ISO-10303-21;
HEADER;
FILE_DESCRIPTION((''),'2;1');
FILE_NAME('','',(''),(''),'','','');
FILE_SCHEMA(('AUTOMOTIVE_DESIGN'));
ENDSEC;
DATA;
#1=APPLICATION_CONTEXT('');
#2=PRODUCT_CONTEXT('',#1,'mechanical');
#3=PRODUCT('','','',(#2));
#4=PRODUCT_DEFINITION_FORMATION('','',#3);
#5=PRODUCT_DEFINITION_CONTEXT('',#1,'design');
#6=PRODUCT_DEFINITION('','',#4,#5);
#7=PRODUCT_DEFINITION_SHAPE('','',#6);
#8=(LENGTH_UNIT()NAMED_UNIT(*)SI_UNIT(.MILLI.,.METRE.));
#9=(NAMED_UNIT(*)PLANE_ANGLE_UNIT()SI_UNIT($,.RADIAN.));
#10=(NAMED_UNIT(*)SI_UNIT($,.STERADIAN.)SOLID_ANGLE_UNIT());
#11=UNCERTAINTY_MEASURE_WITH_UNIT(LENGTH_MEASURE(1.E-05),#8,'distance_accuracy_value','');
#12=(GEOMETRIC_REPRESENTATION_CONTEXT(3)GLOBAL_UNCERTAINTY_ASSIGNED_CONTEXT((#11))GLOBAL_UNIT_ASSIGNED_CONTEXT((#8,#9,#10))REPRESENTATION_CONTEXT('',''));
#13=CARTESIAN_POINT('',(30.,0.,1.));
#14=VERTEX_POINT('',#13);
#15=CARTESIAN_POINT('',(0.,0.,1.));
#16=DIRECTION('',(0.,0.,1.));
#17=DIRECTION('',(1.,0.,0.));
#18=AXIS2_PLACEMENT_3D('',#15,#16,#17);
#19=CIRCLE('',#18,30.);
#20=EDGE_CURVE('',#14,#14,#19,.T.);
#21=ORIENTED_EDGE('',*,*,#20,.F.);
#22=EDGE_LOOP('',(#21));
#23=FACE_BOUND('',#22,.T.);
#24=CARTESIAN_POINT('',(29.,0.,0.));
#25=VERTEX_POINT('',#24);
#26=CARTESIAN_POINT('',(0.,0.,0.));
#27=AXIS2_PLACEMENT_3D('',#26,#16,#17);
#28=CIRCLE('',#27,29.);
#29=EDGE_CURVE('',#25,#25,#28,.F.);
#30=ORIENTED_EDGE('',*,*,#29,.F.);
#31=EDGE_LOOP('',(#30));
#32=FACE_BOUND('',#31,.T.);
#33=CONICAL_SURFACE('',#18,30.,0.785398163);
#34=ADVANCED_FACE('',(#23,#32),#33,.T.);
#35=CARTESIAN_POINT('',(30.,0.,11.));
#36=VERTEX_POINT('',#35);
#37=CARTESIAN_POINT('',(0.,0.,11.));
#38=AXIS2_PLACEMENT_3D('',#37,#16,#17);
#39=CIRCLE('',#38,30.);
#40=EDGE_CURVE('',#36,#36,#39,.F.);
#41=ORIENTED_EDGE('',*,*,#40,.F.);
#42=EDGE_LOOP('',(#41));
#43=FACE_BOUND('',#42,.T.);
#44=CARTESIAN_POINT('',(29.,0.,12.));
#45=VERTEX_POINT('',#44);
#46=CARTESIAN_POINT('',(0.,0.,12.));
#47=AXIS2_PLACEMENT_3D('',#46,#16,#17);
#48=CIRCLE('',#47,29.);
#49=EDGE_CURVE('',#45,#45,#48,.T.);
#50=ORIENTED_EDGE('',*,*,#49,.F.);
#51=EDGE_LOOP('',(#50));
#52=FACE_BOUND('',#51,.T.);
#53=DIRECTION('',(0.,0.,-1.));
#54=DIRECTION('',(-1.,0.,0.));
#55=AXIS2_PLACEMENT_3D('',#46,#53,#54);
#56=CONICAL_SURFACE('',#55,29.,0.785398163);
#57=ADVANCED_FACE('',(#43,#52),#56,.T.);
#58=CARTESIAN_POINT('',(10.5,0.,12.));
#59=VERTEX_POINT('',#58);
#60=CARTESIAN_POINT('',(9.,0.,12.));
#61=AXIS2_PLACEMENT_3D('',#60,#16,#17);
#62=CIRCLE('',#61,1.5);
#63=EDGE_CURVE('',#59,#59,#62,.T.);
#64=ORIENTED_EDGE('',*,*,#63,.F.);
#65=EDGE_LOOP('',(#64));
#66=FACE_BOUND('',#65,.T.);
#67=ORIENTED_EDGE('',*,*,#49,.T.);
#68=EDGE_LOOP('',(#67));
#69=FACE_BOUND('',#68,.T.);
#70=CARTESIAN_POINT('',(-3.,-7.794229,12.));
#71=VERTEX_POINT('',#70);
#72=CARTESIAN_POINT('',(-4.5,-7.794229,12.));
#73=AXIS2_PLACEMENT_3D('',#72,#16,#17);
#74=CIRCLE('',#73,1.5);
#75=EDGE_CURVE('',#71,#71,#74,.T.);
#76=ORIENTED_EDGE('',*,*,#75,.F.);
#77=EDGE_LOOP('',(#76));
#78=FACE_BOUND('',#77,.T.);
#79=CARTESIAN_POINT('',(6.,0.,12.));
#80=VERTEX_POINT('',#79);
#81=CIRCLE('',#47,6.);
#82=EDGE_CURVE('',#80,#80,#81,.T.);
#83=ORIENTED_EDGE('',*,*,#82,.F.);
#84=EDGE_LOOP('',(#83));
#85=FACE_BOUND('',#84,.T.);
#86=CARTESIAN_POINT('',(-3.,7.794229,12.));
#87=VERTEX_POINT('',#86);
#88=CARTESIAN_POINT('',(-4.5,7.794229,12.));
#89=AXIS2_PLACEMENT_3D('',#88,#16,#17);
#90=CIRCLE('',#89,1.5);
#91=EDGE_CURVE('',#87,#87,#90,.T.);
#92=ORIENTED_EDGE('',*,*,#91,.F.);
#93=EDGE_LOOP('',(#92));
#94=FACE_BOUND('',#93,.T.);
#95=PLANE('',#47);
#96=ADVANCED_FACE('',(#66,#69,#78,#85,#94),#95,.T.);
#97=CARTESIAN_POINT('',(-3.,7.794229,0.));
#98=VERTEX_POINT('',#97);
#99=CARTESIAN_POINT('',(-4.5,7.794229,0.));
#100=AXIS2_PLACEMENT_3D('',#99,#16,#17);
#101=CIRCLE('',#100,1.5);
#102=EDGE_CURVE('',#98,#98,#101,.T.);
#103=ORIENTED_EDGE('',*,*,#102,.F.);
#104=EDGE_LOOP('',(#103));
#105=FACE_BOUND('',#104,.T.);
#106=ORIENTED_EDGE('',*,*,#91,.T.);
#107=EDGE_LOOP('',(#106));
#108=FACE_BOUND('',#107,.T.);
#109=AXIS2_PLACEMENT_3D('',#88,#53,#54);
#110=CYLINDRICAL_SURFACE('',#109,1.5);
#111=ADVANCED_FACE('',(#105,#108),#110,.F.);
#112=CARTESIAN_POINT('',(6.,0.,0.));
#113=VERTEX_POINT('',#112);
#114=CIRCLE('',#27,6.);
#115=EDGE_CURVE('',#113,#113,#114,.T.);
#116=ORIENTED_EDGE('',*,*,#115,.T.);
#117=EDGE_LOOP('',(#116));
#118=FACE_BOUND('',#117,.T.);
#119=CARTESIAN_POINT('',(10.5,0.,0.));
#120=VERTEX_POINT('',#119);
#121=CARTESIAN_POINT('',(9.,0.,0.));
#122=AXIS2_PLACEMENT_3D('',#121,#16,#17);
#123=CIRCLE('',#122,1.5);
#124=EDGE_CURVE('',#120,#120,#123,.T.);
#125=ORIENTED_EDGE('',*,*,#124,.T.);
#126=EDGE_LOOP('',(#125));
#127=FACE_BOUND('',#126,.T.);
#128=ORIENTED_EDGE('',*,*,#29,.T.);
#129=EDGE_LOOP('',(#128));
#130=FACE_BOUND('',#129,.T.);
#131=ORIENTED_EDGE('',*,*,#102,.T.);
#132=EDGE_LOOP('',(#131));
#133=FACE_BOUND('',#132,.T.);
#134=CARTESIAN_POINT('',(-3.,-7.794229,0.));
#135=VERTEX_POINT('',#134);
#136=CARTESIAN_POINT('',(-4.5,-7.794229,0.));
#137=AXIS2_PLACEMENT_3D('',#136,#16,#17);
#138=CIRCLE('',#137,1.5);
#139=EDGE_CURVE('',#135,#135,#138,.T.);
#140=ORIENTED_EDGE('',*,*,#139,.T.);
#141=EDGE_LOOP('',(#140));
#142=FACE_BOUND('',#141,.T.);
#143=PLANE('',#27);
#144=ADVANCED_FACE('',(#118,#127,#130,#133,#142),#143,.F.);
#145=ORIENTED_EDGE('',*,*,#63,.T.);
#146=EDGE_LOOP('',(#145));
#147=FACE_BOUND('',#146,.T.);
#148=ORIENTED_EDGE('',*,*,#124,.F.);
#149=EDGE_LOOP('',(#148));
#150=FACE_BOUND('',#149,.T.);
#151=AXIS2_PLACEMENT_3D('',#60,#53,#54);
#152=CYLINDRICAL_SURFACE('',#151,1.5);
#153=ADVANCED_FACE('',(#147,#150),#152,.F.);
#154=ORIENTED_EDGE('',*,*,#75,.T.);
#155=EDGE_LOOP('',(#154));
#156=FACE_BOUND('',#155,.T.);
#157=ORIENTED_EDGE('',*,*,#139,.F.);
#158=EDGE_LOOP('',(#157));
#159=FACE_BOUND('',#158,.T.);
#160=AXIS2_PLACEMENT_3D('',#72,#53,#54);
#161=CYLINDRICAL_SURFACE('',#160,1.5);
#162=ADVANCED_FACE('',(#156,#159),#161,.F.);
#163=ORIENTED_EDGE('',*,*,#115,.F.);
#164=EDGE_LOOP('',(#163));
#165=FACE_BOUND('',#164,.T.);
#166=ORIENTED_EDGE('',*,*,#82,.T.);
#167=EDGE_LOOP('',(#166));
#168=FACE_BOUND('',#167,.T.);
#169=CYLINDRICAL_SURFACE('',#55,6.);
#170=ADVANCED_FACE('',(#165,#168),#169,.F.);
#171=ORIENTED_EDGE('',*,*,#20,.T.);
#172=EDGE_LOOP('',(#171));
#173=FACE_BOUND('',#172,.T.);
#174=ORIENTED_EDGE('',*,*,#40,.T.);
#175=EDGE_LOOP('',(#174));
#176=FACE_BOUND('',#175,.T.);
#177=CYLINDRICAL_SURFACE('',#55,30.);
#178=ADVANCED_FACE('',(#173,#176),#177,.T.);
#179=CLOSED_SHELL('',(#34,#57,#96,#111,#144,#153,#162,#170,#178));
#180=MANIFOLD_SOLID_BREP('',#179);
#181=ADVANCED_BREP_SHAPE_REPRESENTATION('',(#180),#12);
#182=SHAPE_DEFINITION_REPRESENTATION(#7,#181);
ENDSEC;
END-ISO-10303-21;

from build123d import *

# Parameters (mm, degrees)
SKETCH1_R           = 30
SKETCH1_R_2         = 6
SKETCH1_R_3         = 1.5
BOSS_EXTRUDE1_DEPTH = 12
CHAMFER1_SIZE       = 1


with BuildPart() as part:
    # Sketch1 → Boss-Extrude1 (new body)
    with BuildSketch(Plane.XY):
        Circle(SKETCH1_R)
        Circle(SKETCH1_R_2, mode=Mode.SUBTRACT)
        with Locations((9, 0)):
            Circle(SKETCH1_R_3, mode=Mode.SUBTRACT)
        with Locations((-4.5, -7.794228634)):
            Circle(SKETCH1_R_3, mode=Mode.SUBTRACT)
        with Locations((-4.5, 7.794228634)):
            Circle(SKETCH1_R_3, mode=Mode.SUBTRACT)
    extrude(amount=BOSS_EXTRUDE1_DEPTH)

    # Chamfer1
    chamfer1_edges = [part.edges().sort_by_distance(p)[0] for p in [
        (-30, 0, 0),
        (-30, 0, 12),
    ]]
    chamfer(chamfer1_edges, length=CHAMFER1_SIZE)


solid = part.part
